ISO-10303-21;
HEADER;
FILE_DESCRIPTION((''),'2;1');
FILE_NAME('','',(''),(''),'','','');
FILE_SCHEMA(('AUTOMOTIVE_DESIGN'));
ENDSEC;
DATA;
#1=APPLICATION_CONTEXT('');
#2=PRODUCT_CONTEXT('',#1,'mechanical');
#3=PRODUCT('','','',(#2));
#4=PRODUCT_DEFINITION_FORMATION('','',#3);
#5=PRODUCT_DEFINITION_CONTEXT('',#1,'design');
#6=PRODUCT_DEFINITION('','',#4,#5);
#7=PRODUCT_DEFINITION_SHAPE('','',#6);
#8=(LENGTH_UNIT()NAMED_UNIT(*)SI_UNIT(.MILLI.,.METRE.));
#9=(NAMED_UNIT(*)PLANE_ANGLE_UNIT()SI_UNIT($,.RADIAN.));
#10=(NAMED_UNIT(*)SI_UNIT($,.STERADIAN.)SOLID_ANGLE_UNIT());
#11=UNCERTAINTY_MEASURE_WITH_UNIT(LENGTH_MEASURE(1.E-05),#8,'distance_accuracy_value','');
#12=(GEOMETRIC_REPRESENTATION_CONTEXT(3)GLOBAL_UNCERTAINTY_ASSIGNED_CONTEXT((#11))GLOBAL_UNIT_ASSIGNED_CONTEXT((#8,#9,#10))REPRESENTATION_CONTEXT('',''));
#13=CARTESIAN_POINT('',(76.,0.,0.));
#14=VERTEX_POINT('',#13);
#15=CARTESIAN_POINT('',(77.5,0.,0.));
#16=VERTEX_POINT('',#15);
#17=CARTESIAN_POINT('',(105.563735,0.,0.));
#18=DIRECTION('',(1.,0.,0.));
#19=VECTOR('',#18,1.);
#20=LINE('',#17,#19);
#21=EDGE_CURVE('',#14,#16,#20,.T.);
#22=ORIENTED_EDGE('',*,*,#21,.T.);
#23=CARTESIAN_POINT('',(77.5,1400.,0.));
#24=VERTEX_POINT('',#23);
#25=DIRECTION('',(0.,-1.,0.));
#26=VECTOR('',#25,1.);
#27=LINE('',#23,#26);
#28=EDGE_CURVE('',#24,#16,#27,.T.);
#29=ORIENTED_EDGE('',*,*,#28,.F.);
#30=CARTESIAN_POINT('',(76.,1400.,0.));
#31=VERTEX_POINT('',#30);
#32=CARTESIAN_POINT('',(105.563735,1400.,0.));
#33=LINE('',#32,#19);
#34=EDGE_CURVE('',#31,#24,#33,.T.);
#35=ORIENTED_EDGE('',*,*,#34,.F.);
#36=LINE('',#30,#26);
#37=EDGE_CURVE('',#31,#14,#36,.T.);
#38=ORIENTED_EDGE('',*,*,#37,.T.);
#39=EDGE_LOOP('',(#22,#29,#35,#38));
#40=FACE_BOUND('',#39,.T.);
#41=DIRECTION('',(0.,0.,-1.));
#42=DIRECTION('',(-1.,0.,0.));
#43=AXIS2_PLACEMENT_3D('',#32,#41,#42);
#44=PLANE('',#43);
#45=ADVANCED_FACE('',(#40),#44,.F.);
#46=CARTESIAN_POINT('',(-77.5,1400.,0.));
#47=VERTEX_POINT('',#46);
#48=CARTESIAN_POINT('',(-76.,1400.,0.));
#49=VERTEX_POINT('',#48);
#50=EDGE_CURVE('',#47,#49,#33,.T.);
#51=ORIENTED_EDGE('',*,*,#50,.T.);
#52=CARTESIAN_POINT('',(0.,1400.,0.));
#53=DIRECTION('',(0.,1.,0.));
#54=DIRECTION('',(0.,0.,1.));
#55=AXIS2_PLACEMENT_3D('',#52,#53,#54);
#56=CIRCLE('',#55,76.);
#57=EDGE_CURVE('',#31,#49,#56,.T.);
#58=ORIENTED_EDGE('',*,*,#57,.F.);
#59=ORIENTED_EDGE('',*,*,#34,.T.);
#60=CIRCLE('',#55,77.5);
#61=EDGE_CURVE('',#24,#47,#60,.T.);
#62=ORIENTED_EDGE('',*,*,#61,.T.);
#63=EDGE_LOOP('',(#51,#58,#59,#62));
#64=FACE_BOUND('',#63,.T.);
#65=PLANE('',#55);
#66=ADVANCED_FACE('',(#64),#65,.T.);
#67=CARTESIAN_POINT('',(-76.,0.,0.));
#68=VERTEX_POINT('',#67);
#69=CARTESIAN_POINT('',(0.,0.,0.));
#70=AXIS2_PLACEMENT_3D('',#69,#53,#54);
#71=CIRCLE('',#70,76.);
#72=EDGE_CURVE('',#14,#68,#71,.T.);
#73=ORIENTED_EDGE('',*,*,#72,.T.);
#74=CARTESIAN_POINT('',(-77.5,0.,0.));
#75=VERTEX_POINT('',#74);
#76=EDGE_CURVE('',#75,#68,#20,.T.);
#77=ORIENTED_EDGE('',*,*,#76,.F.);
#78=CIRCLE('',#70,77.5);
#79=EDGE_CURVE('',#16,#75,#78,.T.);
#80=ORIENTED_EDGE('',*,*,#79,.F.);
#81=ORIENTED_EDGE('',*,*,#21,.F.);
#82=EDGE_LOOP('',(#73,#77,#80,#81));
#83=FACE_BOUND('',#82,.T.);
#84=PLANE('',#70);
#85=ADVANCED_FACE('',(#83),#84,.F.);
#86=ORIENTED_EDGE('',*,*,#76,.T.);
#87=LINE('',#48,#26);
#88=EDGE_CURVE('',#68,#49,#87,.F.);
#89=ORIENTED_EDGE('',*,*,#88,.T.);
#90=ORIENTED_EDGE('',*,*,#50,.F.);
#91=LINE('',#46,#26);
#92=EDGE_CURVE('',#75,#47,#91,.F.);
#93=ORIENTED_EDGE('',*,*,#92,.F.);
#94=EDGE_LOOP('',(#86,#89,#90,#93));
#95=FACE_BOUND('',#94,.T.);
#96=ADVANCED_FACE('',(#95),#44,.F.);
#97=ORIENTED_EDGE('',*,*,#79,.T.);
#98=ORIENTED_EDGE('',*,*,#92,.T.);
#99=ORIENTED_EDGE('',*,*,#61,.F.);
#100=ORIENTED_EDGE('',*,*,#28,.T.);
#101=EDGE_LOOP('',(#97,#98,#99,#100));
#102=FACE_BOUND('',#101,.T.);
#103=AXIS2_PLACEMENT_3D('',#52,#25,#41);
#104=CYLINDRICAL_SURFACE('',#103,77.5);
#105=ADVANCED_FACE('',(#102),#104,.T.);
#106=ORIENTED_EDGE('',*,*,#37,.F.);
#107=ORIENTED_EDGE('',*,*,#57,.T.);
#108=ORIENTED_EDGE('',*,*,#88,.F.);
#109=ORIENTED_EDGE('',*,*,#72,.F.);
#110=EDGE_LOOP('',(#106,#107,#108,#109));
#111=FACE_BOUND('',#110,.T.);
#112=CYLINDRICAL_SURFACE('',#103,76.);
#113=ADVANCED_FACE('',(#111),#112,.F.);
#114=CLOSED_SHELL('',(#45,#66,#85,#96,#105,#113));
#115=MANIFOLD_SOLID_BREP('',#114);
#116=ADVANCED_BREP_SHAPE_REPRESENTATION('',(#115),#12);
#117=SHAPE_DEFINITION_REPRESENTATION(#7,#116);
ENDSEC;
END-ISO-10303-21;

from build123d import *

# Parameters (mm, degrees)
ESQUISSE1_R             = 77.5
ESQUISSE1_R_2           = 76
BOSS_EXTRU_1_DEPTH      = 1400
ESQUISSE2_W             = 221.94810117
ESQUISSE2_H             = 120.72772872
ENL_V_MAT_EXTRU_1_DEPTH = 1400


with BuildPart() as part:
    # Esquisse1 → Boss.-Extru.1 (new body)
    with BuildSketch(Plane(origin=(0, 0, 0), x_dir=(1, 0, 0), z_dir=(0, 1, 0))):
        with Locations(Location((0, 0, 0), (0, 0, 270))):
            Circle(ESQUISSE1_R)
        with Locations(Location((0, 0, 0), (0, 0, 270))):
            Circle(ESQUISSE1_R_2, mode=Mode.SUBTRACT)
    extrude(amount=BOSS_EXTRU_1_DEPTH)

    # Esquisse2 → Enlèv. mat.-Extru.1 (cut)
    with BuildSketch(Plane.XZ):
        with Locations((-5.410315519, 60.36386436)):
            Rectangle(ESQUISSE2_W, ESQUISSE2_H)
    extrude(amount=-ENL_V_MAT_EXTRU_1_DEPTH, mode=Mode.SUBTRACT)


solid = part.part
